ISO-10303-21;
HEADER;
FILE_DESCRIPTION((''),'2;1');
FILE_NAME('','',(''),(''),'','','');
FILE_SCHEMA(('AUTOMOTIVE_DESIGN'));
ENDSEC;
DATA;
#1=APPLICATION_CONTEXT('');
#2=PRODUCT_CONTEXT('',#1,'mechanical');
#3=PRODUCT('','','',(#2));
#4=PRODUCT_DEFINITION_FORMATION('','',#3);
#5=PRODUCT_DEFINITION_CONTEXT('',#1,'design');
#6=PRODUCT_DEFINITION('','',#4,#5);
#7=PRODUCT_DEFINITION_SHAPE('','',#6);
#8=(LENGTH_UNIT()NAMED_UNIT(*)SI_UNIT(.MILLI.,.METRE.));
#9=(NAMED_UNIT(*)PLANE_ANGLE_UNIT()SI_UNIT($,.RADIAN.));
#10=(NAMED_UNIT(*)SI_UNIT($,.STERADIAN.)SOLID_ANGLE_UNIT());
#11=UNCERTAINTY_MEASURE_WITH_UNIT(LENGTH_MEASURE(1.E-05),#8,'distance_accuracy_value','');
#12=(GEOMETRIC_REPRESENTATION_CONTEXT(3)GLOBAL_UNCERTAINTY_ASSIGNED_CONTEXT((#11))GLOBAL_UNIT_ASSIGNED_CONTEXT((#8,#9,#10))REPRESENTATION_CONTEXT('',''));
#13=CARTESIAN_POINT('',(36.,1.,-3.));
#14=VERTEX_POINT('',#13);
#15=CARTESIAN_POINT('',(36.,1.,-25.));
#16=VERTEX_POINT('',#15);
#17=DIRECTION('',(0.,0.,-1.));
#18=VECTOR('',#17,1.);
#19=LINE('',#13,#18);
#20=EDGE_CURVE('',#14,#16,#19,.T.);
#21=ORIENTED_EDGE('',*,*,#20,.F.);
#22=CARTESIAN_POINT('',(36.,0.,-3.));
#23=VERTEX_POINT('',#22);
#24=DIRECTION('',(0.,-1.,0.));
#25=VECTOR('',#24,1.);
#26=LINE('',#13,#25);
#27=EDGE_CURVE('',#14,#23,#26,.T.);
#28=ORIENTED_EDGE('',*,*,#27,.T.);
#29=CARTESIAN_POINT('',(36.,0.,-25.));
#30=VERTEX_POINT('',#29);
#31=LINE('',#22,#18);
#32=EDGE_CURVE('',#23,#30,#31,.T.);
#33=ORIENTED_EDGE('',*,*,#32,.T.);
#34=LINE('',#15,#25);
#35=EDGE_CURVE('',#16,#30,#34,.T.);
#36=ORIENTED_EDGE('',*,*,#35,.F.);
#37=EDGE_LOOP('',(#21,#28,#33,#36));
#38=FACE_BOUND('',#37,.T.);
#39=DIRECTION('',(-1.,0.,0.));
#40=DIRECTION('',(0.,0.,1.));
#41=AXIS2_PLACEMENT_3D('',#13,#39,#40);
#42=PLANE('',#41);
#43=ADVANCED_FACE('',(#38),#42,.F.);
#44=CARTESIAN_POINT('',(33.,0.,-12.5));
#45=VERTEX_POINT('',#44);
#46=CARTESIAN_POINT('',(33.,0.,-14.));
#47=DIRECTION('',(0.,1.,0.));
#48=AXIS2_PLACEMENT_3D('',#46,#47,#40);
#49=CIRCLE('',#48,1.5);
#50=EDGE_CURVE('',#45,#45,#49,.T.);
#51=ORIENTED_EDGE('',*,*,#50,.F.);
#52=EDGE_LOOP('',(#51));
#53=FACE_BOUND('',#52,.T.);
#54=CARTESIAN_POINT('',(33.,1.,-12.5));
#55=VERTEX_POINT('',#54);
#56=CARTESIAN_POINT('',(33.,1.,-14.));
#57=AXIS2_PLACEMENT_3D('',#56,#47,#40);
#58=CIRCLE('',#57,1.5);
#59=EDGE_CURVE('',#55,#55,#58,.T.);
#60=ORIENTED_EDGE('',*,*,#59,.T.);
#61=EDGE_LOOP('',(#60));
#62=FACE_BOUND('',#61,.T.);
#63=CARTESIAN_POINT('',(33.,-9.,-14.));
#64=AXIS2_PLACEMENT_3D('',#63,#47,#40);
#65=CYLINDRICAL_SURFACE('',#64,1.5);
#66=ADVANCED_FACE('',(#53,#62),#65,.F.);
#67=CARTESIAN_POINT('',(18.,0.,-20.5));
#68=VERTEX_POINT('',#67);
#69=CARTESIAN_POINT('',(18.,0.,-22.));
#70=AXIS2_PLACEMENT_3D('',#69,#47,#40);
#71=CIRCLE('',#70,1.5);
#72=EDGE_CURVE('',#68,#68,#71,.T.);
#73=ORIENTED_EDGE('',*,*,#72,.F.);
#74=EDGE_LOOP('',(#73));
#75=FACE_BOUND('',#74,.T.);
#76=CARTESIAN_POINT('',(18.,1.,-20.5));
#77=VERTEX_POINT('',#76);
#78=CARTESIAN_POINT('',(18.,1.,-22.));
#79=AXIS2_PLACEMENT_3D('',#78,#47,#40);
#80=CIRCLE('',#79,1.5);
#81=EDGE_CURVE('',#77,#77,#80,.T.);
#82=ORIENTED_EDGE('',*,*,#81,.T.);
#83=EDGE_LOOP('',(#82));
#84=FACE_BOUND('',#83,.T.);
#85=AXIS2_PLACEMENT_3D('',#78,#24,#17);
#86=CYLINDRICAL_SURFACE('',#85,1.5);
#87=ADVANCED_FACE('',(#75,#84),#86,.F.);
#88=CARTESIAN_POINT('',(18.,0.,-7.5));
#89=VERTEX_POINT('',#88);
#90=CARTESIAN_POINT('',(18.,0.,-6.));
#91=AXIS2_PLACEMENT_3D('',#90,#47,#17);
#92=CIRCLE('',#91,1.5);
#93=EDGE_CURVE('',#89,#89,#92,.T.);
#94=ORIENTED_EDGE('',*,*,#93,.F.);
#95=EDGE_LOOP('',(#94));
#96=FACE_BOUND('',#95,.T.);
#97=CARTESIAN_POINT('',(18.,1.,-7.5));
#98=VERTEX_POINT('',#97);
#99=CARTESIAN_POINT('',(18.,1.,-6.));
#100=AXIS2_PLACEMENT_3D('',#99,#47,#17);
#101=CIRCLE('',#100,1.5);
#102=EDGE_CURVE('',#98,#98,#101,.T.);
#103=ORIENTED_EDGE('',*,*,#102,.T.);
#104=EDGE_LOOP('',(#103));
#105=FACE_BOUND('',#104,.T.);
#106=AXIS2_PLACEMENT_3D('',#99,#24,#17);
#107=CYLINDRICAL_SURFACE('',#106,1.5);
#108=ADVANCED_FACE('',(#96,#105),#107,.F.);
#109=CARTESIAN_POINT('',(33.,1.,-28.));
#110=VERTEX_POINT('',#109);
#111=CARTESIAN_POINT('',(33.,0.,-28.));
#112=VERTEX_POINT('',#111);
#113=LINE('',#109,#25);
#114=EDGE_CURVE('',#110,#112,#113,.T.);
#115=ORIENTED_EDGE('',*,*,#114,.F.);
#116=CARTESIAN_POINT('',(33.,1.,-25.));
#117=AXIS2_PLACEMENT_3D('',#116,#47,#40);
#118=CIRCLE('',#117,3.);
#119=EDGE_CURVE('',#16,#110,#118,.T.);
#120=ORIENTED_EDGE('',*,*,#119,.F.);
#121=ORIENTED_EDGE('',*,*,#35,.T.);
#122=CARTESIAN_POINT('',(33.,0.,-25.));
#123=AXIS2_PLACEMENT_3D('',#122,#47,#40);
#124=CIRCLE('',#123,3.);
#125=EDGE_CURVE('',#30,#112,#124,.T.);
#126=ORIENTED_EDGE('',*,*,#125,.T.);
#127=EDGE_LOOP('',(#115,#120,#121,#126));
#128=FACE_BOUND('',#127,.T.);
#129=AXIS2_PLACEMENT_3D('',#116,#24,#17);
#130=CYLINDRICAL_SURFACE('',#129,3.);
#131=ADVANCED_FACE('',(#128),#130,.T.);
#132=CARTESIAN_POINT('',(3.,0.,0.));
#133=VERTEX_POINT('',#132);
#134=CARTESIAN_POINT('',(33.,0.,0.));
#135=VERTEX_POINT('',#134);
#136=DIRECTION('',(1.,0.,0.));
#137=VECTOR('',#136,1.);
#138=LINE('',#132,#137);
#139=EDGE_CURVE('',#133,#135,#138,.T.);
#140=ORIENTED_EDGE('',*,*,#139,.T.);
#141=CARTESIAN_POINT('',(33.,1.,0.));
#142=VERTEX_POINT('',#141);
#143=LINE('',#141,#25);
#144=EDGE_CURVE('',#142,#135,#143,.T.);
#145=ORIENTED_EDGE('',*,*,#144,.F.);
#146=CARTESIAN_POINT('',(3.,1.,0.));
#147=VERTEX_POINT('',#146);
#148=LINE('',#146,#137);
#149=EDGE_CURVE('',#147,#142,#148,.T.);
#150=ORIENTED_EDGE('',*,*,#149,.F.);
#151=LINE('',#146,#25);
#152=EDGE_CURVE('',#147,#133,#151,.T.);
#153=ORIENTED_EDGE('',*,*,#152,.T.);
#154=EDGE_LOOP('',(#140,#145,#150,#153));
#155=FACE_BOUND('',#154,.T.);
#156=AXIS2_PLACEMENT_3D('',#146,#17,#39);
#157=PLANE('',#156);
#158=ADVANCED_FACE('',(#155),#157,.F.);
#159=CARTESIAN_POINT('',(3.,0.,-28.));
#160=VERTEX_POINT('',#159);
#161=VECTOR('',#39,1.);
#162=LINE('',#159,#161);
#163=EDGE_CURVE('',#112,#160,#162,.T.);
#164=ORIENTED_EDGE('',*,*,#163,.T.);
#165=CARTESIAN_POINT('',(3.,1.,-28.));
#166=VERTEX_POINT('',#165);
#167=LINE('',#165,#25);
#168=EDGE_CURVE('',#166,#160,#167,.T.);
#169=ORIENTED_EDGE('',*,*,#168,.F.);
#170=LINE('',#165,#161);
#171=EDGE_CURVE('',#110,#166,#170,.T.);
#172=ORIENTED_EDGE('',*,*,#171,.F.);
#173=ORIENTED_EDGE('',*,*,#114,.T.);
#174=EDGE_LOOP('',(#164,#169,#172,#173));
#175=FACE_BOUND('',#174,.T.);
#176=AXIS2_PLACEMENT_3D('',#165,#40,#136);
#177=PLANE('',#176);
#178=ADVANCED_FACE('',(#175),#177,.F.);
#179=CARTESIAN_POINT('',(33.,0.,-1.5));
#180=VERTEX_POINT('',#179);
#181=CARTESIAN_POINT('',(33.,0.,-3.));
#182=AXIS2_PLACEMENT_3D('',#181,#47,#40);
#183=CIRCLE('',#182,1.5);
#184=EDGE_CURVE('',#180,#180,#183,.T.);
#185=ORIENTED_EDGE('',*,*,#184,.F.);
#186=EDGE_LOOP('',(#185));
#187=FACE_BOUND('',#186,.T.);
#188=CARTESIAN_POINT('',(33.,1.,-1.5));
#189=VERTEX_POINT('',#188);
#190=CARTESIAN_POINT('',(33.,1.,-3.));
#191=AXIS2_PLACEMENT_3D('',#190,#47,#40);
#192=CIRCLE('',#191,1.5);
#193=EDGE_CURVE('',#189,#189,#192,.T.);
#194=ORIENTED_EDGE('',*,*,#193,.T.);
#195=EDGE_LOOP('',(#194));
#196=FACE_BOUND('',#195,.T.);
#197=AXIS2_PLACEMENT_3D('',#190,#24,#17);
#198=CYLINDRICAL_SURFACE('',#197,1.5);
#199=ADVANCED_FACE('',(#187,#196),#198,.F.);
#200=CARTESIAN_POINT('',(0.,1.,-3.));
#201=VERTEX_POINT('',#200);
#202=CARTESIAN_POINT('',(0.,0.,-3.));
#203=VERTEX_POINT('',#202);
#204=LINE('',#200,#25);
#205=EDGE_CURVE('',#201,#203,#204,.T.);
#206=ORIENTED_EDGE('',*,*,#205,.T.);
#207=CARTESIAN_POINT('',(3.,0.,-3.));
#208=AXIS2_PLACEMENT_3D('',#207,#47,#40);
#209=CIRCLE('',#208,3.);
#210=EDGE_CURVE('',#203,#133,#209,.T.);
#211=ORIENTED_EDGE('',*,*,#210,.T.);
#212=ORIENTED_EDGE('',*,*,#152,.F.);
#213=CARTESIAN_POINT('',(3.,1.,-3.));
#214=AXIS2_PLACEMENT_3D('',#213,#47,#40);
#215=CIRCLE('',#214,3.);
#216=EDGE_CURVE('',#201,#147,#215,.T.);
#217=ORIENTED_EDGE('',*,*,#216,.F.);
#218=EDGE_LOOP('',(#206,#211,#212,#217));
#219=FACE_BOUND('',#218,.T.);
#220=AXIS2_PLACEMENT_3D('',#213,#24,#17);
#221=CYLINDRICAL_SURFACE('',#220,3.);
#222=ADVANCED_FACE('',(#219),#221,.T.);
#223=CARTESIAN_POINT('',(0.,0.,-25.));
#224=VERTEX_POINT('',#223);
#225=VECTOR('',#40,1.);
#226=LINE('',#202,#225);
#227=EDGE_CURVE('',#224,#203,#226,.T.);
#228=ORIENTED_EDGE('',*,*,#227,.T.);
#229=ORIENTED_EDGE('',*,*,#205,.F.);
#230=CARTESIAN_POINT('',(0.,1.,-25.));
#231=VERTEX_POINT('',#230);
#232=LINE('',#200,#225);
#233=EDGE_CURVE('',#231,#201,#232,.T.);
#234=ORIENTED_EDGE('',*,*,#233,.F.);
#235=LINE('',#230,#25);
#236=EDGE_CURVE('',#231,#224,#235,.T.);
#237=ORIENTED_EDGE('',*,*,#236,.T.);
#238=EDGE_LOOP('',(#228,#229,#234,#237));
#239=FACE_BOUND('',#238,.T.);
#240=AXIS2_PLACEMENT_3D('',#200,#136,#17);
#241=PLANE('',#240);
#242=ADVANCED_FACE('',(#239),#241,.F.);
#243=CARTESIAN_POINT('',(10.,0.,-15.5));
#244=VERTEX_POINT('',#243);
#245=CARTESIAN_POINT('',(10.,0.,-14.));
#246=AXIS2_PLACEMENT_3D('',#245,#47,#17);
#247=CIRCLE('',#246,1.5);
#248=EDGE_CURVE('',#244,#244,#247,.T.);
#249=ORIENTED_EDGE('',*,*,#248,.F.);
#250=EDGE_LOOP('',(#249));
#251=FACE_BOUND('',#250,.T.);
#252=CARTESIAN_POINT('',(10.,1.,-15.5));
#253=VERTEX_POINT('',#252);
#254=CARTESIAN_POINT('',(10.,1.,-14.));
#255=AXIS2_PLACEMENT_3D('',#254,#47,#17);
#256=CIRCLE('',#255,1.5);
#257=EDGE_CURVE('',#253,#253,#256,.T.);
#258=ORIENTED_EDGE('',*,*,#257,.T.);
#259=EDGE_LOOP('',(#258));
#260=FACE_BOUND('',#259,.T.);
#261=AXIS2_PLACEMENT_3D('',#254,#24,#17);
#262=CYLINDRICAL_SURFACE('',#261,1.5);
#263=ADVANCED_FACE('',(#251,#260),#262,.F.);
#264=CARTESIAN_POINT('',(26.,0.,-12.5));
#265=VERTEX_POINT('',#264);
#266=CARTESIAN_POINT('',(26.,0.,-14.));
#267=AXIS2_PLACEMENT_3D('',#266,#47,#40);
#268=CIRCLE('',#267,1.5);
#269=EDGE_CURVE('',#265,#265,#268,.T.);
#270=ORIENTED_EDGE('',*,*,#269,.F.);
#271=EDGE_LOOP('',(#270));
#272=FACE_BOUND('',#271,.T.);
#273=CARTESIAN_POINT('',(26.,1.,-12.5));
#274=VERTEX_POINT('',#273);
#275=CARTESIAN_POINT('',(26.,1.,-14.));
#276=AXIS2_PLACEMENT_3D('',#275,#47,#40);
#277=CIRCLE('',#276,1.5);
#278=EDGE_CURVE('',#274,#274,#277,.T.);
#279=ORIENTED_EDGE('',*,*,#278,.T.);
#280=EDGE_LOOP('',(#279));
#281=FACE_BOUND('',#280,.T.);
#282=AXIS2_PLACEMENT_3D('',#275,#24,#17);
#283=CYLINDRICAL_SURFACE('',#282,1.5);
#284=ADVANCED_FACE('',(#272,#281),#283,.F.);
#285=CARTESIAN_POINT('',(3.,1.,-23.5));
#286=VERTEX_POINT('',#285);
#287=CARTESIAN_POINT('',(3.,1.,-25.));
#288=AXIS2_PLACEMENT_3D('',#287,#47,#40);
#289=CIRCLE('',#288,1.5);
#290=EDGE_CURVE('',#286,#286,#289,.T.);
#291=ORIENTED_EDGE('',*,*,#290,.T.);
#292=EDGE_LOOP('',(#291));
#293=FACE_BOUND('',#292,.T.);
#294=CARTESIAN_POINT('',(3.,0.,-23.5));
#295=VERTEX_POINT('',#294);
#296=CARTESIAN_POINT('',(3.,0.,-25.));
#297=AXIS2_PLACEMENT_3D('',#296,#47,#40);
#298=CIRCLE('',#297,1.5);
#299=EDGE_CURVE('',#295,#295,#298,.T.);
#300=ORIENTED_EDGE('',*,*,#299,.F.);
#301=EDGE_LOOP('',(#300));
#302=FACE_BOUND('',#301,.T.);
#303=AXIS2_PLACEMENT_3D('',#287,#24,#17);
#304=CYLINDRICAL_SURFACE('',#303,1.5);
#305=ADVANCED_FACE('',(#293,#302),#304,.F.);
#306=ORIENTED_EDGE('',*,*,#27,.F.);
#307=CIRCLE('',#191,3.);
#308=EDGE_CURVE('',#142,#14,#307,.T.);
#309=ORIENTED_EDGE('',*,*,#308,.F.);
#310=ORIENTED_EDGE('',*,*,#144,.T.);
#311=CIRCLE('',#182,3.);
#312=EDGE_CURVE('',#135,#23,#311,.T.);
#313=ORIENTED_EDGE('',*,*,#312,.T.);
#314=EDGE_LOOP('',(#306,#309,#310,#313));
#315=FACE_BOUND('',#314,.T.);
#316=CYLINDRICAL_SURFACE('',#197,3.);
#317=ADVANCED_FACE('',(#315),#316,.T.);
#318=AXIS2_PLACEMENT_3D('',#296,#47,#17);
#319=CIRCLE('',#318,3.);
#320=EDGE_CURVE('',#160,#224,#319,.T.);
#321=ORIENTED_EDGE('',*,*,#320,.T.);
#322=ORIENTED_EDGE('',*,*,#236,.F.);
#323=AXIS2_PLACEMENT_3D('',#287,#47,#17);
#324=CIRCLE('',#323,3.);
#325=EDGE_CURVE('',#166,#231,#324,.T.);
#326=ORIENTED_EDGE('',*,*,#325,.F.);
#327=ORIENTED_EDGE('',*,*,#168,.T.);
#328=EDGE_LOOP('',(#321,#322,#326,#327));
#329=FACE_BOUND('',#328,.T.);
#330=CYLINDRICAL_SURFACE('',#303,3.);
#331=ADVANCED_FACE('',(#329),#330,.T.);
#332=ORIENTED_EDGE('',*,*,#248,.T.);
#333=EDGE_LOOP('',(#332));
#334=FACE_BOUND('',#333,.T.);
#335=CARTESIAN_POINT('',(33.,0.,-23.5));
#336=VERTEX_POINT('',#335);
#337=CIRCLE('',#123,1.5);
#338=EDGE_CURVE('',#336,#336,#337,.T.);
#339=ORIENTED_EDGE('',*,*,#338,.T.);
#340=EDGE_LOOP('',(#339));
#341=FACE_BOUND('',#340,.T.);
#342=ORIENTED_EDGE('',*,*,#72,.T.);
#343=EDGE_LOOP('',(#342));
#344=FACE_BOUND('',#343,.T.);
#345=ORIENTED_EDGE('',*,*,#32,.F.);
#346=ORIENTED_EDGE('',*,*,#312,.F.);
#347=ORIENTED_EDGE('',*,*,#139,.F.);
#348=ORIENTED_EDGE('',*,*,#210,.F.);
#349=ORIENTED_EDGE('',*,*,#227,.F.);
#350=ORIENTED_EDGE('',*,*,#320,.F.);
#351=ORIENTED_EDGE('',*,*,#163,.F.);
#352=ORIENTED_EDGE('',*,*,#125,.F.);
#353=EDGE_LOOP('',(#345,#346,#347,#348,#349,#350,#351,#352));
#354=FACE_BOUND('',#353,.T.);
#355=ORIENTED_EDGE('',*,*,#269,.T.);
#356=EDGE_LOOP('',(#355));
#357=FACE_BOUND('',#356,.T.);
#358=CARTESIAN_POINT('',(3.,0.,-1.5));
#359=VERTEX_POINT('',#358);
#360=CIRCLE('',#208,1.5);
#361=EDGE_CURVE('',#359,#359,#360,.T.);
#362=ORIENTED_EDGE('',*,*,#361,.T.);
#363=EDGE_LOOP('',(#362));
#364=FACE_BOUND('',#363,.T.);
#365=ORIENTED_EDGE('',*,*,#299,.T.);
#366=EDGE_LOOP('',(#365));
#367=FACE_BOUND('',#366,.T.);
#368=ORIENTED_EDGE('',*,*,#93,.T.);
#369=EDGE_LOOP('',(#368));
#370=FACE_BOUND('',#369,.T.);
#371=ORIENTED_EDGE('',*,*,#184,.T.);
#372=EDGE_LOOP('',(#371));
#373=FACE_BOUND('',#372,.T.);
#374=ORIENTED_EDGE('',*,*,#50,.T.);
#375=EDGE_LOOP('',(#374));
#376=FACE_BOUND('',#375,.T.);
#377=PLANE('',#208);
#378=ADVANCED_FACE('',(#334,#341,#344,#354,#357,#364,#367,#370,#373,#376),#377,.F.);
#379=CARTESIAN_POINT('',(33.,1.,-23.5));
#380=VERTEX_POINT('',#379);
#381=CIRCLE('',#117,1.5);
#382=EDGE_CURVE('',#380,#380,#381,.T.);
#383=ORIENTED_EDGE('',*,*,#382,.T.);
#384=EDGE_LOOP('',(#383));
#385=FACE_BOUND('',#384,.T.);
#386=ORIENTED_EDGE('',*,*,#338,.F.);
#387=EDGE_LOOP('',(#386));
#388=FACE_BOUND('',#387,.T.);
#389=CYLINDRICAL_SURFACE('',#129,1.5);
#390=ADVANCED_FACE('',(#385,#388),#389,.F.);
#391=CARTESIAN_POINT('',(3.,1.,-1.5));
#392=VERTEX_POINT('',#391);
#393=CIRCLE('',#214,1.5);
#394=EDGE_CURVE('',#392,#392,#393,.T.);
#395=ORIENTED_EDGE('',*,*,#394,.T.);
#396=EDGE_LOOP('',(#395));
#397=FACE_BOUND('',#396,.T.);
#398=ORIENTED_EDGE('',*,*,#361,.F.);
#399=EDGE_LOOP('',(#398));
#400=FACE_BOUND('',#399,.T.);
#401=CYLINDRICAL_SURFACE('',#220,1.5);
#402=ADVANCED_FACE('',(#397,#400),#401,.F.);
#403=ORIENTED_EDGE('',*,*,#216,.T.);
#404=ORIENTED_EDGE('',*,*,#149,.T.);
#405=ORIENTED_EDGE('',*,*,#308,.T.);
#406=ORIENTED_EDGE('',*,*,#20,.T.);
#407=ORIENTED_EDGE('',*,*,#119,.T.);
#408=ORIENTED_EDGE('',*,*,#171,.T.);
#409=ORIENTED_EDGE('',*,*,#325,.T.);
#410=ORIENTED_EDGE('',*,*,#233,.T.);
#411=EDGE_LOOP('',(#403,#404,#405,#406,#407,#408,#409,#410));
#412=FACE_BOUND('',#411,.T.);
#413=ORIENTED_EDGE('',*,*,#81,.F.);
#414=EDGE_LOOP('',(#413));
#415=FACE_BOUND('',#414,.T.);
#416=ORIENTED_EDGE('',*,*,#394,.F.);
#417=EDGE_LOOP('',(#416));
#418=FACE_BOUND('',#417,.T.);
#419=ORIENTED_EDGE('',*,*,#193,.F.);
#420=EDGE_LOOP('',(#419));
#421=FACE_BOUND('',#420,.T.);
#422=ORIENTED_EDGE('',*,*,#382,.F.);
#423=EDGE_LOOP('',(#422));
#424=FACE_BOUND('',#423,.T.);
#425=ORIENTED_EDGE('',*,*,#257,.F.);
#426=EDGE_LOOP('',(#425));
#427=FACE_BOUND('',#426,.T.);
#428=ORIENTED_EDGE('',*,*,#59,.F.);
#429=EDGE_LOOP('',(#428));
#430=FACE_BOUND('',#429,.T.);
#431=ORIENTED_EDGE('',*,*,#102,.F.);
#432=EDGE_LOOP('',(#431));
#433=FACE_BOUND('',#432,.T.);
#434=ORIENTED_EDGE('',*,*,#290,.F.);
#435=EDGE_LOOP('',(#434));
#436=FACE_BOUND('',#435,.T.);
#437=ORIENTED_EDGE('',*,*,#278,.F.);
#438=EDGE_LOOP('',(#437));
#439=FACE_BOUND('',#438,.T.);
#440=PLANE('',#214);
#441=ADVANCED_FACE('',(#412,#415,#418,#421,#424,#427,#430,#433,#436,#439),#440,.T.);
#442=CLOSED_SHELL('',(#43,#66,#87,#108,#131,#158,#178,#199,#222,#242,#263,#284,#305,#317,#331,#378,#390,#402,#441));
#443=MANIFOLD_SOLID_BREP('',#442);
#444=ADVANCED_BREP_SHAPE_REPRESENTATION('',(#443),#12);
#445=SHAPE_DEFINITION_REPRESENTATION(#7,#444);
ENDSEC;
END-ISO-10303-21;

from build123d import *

# Parameters (mm, degrees)
SKETCH1_R           = 1.5
BOSS_EXTRUDE1_DEPTH = 1
SKETCH2_R           = 1.5
CUT_EXTRUDE1_DEPTH  = 10


with BuildPart() as part:
    # Sketch1 → Boss-Extrude1 (new body)
    with BuildSketch(Plane(origin=(0, 0, 0), x_dir=(1, 0, 0), z_dir=(0, 1, 0))):
        with BuildLine():
            Line((3, 0), (33, 0))
            ThreePointArc((33, 0), (35.121320344, 0.878679656), (36, 3))
            Line((36, 3), (36, 25))
            ThreePointArc((36, 25), (35.121320344, 27.121320344), (33, 28))
            Line((33, 28), (3, 28))
            ThreePointArc((3, 28), (0.878679656, 27.121320344), (0, 25))
            Line((0, 25), (0, 3))
            ThreePointArc((0, 3), (0.878679656, 0.878679656), (3, 0))
        make_face()
        with Locations((3, 25)):
            Circle(SKETCH1_R, mode=Mode.SUBTRACT)
        with Locations((3, 3)):
            Circle(SKETCH1_R, mode=Mode.SUBTRACT)
        with Locations((33, 25)):
            Circle(SKETCH1_R, mode=Mode.SUBTRACT)
        with Locations((33, 3)):
            Circle(SKETCH1_R, mode=Mode.SUBTRACT)
        with Locations((18, 22)):
            Circle(SKETCH1_R, mode=Mode.SUBTRACT)
        with Locations((18, 6)):
            Circle(SKETCH1_R, mode=Mode.SUBTRACT)
        with Locations((26, 14)):
            Circle(SKETCH1_R, mode=Mode.SUBTRACT)
        with Locations((10, 14)):
            Circle(SKETCH1_R, mode=Mode.SUBTRACT)
    extrude(amount=BOSS_EXTRUDE1_DEPTH)

    # Sketch2 → Cut-Extrude1 (cut)
    with BuildSketch(Plane(origin=(0, 1, 0), x_dir=(1, 0, 0), z_dir=(0, 1, 0))):
        with Locations((33, 14)):
            Circle(SKETCH2_R)
    extrude(amount=-CUT_EXTRUDE1_DEPTH, mode=Mode.SUBTRACT)


solid = part.part
